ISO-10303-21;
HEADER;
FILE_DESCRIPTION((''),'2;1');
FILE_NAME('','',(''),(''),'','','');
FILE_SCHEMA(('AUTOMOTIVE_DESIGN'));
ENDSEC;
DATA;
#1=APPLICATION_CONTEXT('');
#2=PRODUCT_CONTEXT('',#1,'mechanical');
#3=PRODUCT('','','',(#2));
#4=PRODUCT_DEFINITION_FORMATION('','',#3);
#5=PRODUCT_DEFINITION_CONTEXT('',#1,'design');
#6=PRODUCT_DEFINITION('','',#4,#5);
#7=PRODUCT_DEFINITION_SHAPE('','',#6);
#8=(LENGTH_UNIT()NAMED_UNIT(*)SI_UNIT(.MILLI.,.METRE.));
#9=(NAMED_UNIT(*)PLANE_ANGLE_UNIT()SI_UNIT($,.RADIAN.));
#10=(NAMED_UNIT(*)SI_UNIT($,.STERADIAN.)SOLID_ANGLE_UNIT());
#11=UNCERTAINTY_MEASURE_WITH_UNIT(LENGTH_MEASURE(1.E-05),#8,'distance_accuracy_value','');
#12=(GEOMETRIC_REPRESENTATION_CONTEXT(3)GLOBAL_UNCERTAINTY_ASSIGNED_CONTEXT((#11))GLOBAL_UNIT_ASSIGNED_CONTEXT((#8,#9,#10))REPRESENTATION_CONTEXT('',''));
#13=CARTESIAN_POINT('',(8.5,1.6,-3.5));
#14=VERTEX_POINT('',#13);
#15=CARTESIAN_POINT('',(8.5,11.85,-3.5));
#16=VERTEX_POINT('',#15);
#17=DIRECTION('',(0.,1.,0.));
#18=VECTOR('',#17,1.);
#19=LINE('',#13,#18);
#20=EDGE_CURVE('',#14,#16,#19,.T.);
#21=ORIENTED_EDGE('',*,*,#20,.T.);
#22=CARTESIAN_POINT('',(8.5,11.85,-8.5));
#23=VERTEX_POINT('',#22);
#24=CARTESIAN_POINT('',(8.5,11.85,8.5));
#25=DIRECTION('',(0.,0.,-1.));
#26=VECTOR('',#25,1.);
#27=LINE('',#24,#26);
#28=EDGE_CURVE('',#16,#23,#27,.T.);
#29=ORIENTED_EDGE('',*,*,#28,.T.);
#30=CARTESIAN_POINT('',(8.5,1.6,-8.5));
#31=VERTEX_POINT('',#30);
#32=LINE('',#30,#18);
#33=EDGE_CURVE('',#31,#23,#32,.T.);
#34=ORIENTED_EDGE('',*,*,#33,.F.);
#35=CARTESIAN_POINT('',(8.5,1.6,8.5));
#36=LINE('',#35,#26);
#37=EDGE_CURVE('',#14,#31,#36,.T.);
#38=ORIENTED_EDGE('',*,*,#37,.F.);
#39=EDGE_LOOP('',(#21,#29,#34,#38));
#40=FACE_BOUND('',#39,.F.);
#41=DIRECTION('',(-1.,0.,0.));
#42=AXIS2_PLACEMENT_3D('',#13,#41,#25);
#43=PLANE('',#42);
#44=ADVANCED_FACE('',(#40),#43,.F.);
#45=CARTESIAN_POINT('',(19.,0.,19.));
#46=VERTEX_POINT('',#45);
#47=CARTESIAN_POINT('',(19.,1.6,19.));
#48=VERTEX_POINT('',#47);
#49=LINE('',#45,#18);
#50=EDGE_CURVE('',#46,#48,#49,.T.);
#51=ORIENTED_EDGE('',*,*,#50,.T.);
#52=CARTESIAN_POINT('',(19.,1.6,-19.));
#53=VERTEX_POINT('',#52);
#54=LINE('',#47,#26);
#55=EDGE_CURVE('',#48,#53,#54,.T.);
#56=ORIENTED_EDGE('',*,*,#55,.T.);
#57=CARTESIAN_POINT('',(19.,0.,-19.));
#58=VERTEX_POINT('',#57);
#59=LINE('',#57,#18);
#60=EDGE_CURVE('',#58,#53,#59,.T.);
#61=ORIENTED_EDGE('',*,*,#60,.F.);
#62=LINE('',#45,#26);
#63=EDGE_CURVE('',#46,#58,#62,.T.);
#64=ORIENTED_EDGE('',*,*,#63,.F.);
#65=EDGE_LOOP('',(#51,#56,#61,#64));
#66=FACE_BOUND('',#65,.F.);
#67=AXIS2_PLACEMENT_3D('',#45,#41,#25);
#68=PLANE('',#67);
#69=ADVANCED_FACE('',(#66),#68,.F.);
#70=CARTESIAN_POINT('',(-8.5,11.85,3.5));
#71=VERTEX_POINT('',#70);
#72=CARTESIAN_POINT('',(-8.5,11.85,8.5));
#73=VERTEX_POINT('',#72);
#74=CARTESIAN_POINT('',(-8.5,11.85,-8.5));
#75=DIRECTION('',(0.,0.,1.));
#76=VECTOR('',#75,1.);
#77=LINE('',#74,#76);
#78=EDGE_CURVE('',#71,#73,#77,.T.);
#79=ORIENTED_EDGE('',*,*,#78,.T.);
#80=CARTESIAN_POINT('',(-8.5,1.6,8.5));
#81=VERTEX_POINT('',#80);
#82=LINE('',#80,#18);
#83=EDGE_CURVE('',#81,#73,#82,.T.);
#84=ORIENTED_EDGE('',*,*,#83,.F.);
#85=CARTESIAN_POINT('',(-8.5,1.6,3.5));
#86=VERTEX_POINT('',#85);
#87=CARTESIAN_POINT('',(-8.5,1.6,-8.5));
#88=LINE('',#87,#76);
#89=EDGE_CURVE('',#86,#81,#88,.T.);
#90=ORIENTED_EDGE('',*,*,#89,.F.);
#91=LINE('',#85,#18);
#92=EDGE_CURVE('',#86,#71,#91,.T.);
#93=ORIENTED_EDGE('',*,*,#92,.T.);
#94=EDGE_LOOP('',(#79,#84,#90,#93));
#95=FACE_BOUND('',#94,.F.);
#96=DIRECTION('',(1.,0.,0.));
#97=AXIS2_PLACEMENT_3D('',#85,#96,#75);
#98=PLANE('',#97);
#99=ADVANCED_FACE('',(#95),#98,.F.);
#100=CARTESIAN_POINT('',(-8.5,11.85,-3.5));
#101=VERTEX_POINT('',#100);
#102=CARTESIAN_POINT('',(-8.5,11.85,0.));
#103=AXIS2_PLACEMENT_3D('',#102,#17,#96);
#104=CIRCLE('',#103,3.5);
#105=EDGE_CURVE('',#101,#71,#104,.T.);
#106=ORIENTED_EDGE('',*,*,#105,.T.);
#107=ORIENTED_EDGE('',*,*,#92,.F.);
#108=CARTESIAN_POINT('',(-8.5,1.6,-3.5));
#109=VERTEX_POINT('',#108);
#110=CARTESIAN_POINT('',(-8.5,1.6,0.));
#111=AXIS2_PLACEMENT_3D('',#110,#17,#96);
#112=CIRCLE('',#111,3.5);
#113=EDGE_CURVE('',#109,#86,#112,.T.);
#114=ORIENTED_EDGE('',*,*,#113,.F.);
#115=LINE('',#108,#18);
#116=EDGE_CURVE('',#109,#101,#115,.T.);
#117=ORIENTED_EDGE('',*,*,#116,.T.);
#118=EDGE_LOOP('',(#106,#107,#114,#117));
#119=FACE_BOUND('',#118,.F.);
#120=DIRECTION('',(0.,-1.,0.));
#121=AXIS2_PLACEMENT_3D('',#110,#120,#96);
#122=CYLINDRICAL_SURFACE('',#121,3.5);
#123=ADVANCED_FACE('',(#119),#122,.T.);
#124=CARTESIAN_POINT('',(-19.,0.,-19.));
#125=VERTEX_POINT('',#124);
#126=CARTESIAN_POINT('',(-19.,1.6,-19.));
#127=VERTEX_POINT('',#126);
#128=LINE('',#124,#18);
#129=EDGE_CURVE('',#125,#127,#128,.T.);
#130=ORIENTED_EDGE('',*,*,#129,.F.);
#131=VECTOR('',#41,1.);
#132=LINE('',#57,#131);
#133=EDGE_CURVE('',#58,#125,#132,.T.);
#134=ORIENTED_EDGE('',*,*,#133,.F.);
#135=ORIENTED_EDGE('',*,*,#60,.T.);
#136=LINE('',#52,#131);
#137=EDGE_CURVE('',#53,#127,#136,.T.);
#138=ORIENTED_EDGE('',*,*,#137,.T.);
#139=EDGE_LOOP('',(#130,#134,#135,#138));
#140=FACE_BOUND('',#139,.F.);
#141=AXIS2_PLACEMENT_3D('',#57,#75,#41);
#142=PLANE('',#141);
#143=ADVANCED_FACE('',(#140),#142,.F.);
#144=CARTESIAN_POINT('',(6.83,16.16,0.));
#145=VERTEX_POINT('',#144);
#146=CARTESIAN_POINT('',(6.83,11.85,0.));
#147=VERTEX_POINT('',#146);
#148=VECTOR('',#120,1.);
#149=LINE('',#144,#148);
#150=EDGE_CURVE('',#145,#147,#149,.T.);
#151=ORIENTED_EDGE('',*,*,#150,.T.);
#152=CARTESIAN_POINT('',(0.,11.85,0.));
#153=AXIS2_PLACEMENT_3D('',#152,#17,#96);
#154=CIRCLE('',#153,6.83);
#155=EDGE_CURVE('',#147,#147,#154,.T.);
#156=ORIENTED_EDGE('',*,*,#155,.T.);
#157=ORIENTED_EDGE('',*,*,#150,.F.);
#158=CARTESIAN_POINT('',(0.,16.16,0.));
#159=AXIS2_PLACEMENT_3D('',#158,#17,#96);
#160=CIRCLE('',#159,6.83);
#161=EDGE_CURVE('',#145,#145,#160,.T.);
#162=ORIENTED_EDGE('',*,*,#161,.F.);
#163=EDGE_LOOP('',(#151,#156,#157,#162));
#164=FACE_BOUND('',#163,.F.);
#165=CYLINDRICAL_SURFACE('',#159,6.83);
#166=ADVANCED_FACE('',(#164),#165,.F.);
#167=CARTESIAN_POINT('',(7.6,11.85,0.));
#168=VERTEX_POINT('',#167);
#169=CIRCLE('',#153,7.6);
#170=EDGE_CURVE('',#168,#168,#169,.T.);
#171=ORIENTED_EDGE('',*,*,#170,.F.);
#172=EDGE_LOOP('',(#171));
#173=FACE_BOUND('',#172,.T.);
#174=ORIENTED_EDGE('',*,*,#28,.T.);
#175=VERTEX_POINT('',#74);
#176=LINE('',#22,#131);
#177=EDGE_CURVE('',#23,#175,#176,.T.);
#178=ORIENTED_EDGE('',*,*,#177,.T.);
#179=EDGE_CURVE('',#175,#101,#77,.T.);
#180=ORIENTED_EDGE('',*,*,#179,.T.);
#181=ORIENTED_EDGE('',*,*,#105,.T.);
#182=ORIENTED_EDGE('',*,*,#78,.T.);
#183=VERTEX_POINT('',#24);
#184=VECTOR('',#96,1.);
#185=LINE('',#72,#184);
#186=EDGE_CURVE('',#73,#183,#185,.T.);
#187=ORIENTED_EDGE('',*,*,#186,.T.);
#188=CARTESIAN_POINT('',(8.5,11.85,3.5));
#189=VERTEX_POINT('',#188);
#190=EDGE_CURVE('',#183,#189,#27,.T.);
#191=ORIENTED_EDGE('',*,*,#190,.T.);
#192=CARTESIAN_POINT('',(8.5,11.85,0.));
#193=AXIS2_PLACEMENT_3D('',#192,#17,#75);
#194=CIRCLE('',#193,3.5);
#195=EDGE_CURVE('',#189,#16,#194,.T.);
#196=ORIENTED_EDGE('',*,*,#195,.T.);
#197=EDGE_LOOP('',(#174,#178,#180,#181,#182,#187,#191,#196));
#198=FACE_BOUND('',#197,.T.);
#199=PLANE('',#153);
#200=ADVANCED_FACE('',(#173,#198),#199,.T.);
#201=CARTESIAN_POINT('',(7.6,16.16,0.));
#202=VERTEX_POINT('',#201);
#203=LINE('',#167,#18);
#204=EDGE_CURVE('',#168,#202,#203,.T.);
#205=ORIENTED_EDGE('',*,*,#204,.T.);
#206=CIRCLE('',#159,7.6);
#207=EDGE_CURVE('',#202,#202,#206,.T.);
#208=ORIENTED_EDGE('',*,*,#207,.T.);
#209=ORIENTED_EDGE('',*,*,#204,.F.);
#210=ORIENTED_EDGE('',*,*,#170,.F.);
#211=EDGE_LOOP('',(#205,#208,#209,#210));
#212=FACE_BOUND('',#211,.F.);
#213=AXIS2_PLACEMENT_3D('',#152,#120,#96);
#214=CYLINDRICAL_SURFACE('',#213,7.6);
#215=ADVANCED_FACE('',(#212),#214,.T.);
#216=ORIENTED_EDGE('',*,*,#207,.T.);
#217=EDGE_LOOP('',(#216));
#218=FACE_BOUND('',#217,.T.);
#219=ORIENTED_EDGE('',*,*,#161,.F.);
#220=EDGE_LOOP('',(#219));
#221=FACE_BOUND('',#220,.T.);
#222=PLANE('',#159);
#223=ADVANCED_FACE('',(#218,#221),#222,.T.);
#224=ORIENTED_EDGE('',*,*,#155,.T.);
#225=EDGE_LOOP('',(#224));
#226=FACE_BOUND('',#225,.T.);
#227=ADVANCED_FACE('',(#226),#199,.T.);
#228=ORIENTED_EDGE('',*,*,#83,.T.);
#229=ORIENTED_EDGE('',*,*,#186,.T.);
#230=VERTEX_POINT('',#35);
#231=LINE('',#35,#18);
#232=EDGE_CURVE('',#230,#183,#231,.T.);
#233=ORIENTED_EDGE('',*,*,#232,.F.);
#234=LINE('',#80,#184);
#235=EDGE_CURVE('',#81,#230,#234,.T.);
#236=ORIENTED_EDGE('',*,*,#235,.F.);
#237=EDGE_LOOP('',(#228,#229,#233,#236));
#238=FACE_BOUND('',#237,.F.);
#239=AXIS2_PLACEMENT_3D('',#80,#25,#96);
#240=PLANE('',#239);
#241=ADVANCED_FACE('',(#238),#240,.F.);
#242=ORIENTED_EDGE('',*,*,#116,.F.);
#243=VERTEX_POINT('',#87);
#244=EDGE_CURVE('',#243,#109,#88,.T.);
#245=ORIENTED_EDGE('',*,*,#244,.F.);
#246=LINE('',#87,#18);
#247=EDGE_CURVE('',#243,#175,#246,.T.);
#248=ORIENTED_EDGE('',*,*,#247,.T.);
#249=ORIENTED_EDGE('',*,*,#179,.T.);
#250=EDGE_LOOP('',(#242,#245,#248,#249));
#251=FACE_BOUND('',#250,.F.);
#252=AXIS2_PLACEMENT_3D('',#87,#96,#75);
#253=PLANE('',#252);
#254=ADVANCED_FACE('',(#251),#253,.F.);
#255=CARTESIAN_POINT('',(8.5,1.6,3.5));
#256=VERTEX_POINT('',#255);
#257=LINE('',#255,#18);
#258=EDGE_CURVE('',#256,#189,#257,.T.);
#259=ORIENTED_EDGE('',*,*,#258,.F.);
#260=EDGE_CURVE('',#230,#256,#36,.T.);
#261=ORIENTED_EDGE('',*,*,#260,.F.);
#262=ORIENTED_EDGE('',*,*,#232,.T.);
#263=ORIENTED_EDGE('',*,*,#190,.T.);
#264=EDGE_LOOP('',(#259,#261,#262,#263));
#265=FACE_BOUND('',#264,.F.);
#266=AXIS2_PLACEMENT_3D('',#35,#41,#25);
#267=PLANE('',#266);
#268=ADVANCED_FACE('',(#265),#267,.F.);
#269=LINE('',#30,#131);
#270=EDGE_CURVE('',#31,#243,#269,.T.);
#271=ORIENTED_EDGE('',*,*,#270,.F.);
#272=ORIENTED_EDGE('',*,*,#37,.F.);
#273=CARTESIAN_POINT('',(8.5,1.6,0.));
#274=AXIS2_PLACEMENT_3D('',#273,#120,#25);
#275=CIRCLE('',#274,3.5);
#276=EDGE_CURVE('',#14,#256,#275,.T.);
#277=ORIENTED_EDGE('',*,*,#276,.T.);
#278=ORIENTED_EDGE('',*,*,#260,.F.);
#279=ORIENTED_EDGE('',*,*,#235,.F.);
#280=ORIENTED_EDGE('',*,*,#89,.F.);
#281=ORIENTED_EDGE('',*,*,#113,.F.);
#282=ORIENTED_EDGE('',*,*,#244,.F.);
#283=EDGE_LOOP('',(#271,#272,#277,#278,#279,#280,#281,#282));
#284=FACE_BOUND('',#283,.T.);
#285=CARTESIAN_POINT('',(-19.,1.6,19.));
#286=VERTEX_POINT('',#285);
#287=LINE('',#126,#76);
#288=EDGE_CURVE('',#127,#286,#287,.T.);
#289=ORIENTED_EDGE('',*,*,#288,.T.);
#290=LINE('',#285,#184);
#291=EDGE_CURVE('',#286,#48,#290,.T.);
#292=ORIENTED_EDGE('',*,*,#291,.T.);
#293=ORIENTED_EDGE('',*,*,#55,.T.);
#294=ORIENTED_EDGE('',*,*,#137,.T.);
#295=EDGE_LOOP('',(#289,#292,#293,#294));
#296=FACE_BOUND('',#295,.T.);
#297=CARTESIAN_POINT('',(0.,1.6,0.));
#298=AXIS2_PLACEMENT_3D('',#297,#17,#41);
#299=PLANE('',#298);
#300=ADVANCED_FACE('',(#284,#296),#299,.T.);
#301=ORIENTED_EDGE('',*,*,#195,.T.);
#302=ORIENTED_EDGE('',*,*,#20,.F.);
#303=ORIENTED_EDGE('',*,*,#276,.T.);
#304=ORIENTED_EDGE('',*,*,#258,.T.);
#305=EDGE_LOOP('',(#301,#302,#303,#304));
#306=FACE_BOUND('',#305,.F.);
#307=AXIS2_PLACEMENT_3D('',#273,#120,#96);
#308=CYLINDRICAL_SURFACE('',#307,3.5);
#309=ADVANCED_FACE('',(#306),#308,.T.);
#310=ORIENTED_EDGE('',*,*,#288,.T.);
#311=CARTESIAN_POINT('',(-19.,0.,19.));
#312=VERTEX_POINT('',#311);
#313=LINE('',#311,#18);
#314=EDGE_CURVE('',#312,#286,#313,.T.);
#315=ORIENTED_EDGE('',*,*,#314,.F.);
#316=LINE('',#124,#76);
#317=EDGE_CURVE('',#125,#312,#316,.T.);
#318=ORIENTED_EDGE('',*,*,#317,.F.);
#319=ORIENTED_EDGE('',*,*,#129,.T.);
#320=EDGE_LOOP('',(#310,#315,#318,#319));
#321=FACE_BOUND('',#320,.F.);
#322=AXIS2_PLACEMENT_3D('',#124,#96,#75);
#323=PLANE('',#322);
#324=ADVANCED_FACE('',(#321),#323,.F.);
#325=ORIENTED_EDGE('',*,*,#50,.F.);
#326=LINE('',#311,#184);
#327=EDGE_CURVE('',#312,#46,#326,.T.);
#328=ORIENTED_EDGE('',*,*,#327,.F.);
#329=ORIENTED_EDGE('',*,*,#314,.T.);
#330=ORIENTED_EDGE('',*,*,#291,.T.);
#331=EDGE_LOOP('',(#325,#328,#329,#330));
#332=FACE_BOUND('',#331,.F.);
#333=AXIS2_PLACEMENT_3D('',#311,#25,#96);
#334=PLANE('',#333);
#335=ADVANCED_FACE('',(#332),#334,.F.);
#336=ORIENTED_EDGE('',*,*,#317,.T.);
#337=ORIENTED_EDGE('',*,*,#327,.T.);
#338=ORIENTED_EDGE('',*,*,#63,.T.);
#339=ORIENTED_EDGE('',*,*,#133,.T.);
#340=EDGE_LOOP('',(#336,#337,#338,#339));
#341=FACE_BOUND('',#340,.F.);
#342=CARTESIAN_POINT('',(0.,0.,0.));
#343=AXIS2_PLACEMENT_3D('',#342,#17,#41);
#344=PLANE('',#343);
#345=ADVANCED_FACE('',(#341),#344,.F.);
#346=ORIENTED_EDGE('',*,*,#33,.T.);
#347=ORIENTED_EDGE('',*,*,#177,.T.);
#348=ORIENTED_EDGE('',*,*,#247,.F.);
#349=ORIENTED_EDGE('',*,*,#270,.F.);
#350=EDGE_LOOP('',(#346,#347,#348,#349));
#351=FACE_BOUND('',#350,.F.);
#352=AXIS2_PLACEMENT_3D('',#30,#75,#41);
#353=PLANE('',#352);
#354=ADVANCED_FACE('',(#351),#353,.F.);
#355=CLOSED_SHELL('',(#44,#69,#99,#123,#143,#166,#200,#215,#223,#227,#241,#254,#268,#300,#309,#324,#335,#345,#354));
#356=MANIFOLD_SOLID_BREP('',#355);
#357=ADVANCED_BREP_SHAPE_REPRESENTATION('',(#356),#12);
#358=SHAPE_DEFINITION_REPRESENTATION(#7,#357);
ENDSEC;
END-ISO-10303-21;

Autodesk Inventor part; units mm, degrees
ref_plane "YZ Plane" through (0, 0, 0) normal (1, 0, 0) x (0, 1, 0)
ref_plane "XZ Plane" through (0, 0, 0) normal (0, 1, 0) x (-1, 0, 0)
ref_plane "XY Plane" through (0, 0, 0) normal (0, 0, 1) x (1, 0, 0)
sketch "Sketch1" plane through (0, 0, 0) normal (0, 1, 0) x (-1, 0, 0)
  line L0 (19, 19) -> (-19, 19)
  line L1 (-19, 19) -> (-19, -19)
  line L2 (-19, -19) -> (19, -19)
  line L3 (19, -19) -> (19, 19)
  line L4 (19, 19) -> (-19, -19) construction
  line L5 (-19, 19) -> (19, -19) construction
  point P0 (0, 0)
  dimension "d0" = 38
  dimension "d1" = 38
extrude "Extrusion1" add sketch "Sketch1" along normal blind 1.6
sketch "Sketch2" plane through (0, 1.6, 0) normal (0, 1, 0) x (1, 0, 0)
  line L0 (-8.5, -8.5) -> (8.5, -8.5)
  line L1 (8.5, -8.5) -> (8.5, 8.5)
  line L2 (8.5, 8.5) -> (-8.5, 8.5)
  line L3 (-8.5, 8.5) -> (-8.5, -8.5)
  line L4 (-8.5, -8.5) -> (8.5, 8.5) construction
  line L5 (8.5, -8.5) -> (-8.5, 8.5) construction
  circle A0 centre (-8.5, 0) radius 3.5
  circle A1 centre (8.5, 0) radius 3.5
  point P0 (0, 0)
  point P1 (8.5, -3.5)
  point P2 (8.5, 3.5)
  point P3 (-8.5, 3.5)
  point P4 (-8.5, -3.5)
  dimension "d4" = 17
  dimension "d5" = 17
  dimension "d6" = 7
  dimension "d7" = 7
extrude "Extrusion2" add sketch "Sketch2" along normal blind 10.25
sketch "Sketch3" plane through (0, 11.85, 0) normal (0, 1, 0) x (1, 0, 0)
  circle A0 centre (0, 0) radius 7.6
  dimension "d10" = 15.2
extrude "Extrusion3" add sketch "Sketch3" along normal blind 4.31
sketch "Sketch4" plane through (0, 16.16, 0) normal (0, 1, 0) x (1, 0, 0)
  circle A0 centre (0, 0) radius 6.83
  dimension "d13" = 13.66
extrude "Extrusion4" cut sketch "Sketch4" against normal blind 4.31
sketch "Sketch5" plane through (0, 11.85, 0) normal (0, 1, 0) x (1, 0, 0)
  point P0 (0, 0)
properties part number "Camera Top"
